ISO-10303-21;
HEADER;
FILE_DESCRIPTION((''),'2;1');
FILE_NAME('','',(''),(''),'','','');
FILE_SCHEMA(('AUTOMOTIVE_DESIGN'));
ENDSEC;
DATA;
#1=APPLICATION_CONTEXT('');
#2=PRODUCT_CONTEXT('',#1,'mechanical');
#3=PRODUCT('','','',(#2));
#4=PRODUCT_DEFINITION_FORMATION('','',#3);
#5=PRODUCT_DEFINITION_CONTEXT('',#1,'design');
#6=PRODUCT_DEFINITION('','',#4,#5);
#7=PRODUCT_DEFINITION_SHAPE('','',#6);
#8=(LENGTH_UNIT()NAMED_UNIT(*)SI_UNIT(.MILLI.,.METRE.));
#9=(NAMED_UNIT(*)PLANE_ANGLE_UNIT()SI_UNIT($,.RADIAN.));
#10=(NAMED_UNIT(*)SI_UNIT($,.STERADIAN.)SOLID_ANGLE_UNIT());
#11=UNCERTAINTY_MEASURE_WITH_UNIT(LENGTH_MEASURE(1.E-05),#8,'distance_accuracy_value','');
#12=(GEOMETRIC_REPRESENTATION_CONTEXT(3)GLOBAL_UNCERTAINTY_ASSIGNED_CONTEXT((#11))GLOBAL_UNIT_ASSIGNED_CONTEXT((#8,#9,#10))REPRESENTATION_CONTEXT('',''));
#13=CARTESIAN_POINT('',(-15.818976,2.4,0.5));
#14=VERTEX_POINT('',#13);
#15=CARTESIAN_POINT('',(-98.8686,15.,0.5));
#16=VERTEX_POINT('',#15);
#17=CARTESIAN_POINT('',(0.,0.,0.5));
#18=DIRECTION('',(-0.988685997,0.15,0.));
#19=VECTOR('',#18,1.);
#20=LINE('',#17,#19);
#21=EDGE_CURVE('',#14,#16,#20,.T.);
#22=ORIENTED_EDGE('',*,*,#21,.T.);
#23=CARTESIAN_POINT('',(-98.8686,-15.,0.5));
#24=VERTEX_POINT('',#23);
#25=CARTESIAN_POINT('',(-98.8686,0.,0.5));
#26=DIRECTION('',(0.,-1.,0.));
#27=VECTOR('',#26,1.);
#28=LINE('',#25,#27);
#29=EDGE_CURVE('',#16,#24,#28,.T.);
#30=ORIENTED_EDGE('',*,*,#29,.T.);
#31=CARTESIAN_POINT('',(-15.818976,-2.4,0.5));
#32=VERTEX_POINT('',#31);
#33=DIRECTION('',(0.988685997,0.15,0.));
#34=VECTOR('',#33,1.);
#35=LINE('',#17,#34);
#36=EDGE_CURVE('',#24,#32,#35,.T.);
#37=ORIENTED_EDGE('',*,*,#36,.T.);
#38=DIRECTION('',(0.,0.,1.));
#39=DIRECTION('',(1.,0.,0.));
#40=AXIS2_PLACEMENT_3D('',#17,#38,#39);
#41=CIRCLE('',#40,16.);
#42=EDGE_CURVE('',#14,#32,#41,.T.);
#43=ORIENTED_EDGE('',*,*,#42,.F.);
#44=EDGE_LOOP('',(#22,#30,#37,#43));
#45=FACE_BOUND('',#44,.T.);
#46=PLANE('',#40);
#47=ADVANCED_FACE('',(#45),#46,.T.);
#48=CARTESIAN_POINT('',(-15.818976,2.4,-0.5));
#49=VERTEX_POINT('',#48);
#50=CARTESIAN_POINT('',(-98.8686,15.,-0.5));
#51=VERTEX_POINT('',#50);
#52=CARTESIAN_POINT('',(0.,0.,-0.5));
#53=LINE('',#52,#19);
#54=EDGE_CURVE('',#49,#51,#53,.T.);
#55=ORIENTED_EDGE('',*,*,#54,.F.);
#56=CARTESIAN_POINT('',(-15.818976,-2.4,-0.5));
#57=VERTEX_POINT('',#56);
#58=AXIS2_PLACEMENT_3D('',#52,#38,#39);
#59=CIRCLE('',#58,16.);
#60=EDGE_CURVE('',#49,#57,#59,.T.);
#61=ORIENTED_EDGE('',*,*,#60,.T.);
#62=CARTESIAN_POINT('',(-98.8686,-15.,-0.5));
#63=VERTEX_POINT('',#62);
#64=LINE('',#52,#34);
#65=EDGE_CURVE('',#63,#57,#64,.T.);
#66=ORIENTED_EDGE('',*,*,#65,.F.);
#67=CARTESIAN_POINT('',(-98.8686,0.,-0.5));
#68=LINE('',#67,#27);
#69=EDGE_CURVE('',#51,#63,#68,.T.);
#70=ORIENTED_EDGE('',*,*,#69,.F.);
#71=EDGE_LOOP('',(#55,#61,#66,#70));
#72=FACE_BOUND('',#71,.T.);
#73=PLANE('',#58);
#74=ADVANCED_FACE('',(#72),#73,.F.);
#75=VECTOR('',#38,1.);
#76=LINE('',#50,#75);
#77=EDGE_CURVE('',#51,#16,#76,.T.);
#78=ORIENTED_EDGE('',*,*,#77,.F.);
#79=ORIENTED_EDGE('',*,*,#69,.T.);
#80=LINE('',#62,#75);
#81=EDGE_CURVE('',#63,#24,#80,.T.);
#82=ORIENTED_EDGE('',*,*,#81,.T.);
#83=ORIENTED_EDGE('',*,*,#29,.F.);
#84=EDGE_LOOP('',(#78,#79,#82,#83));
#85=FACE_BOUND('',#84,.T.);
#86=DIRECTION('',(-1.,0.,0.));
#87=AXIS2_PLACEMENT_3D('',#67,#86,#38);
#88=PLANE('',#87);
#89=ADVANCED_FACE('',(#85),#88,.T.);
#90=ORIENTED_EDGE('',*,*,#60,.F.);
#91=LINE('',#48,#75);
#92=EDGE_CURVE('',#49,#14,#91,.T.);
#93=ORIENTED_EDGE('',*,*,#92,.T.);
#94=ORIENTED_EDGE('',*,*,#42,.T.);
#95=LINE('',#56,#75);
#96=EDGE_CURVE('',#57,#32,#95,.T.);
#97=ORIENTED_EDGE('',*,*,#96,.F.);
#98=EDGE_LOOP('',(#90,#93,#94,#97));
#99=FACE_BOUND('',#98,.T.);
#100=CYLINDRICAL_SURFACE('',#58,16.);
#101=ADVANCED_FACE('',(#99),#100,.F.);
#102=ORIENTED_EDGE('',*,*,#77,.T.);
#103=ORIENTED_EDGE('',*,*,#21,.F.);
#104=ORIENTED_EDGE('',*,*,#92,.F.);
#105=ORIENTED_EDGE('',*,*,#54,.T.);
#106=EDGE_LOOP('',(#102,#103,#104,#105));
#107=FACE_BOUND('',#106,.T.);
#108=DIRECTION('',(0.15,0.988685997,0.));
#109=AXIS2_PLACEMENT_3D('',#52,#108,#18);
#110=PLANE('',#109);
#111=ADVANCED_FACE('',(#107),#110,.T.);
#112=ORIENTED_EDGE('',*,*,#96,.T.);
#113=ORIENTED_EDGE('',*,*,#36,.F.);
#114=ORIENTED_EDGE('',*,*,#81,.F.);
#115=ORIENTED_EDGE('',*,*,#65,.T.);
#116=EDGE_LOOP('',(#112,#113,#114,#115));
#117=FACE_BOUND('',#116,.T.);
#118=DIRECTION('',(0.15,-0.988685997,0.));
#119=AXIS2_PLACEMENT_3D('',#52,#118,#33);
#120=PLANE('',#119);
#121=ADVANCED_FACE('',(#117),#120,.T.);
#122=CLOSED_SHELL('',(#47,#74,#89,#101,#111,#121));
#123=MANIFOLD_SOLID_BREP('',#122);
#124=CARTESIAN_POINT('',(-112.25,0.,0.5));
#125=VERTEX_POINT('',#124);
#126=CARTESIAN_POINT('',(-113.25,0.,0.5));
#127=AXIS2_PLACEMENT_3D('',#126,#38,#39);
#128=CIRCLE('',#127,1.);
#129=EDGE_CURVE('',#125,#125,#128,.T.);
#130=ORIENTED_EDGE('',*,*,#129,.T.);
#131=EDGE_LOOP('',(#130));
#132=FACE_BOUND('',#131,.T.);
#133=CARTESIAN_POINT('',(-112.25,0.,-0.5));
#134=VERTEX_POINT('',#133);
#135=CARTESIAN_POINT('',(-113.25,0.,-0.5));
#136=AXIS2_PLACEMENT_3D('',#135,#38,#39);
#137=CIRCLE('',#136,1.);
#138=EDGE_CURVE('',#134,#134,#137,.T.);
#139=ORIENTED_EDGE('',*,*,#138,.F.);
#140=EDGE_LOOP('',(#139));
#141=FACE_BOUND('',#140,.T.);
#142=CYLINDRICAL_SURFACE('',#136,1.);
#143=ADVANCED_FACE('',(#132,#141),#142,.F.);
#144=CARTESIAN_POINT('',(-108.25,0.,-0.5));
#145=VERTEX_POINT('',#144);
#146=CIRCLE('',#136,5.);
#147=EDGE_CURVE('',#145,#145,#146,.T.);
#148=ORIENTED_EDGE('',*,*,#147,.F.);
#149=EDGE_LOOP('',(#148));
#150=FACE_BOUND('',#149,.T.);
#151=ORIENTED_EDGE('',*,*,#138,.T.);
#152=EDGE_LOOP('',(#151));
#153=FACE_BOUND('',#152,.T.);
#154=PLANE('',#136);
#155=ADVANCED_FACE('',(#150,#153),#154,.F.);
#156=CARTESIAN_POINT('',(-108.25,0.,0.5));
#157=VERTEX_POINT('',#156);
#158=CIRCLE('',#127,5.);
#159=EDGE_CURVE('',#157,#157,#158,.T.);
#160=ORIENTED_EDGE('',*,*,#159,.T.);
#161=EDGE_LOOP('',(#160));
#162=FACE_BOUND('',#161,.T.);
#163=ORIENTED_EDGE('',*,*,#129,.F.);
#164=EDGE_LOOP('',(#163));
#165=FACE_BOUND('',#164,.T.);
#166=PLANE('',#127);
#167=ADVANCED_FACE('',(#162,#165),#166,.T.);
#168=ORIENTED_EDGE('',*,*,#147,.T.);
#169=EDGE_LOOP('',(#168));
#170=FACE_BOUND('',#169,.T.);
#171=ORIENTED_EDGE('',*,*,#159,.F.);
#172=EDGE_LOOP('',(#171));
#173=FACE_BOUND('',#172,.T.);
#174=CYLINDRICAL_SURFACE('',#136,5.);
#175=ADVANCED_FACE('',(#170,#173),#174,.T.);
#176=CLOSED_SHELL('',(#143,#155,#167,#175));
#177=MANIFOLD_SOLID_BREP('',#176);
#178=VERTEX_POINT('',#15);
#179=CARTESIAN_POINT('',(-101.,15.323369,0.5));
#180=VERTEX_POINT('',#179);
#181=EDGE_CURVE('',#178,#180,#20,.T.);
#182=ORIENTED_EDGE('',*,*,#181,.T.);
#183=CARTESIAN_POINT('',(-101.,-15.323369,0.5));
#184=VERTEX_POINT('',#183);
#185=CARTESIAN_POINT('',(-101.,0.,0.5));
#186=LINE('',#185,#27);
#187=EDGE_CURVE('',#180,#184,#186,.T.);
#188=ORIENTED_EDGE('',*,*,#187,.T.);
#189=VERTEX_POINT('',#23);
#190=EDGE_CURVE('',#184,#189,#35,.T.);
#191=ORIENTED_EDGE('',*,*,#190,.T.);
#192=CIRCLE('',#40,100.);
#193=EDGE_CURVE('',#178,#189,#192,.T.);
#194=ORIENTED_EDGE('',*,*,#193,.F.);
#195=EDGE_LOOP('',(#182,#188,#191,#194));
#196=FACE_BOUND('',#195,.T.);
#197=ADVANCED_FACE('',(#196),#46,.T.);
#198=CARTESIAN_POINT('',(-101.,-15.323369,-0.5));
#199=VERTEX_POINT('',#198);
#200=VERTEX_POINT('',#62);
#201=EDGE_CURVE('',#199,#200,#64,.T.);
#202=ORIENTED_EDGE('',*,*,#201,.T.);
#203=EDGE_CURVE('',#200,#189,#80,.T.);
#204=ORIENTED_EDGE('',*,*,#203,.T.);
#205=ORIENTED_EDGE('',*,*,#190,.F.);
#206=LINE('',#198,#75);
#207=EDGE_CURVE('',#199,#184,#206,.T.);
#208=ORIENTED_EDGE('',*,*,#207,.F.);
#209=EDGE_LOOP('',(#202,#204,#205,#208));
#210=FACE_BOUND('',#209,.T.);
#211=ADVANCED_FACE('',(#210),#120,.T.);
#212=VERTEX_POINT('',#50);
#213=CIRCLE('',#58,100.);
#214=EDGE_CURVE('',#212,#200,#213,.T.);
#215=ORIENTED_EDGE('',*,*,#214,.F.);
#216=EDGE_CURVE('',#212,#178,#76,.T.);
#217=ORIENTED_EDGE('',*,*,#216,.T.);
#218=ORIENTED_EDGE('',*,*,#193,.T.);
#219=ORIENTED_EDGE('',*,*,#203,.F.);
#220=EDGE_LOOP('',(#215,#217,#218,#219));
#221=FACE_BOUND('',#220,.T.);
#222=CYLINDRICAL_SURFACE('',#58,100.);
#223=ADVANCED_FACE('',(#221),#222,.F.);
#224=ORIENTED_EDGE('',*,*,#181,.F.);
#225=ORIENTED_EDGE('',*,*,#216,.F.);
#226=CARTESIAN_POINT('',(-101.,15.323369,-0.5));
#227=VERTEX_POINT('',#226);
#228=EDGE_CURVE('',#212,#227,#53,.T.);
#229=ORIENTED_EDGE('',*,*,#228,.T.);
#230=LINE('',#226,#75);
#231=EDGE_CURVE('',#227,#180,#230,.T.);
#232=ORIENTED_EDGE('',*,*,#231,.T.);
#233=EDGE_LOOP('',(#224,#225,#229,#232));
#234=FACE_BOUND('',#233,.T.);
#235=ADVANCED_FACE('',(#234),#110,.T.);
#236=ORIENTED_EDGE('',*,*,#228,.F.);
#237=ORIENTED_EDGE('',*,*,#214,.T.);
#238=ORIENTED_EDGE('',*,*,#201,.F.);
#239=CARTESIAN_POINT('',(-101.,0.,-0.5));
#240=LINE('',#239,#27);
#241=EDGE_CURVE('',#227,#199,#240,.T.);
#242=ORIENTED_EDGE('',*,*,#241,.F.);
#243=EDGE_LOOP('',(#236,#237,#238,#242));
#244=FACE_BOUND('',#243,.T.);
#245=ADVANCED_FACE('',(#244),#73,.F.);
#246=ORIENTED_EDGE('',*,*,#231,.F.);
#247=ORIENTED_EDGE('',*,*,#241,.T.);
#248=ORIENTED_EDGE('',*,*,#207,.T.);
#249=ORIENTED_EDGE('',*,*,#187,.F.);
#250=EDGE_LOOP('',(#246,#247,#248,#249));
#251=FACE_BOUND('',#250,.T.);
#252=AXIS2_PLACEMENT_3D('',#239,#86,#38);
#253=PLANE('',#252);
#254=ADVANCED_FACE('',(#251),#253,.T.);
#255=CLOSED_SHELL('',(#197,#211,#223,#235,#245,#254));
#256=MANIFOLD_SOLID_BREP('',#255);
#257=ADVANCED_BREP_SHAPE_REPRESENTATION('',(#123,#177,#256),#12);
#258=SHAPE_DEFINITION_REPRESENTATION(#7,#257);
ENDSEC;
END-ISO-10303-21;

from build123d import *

# Parameters (mm, degrees)
BOSS_EXTRUDE1_DEPTH        = 0.5
BOSS_EXTRUDE1_DEPTH_BACK   = 0.5
BOSS_EXTRUDE1_2_DEPTH      = 0.5
BOSS_EXTRUDE1_2_DEPTH_BACK = 0.5
BOSS_EXTRUDE2_DEPTH        = 0.5
BOSS_EXTRUDE2_DEPTH_BACK   = 0.5
SKETCH2_R                  = 5
SKETCH2_R_2                = 1


with BuildPart() as part:
    # Sketch1 → Boss-Extrude1 (new, two sides: drawn at the far end of the back side and taken through both)
    with BuildSketch(Plane.XY.offset(-BOSS_EXTRUDE1_DEPTH_BACK)):
        with BuildLine():
            ThreePointArc((-15.818975947, -2.4), (-16, 0), (-15.818975947, 2.4))
            Line((-15.818975947, 2.4), (-98.868599666, 15))
            Line((-98.868599666, 15), (-98.868599666, -15))
            Line((-98.868599666, -15), (-15.818975947, -2.4))
        make_face()
    extrude(amount=BOSS_EXTRUDE1_DEPTH + BOSS_EXTRUDE1_DEPTH_BACK)


with BuildPart() as body_2:
    # Sketch1 → Boss-Extrude1 2 (new, two sides: drawn at the far end of the back side and taken through both)
    with BuildSketch(Plane.XY.offset(-BOSS_EXTRUDE1_2_DEPTH_BACK)):
        with BuildLine():
            ThreePointArc((-98.868599666, -15), (-100, 0), (-98.868599666, 15))
            Line((-98.868599666, 15), (-101, 15.323368644))
            Line((-101, 15.323368644), (-101, -15.323368644))
            Line((-101, -15.323368644), (-98.868599666, -15))
        make_face()
    extrude(amount=BOSS_EXTRUDE1_2_DEPTH + BOSS_EXTRUDE1_2_DEPTH_BACK)


with BuildPart() as body_3:
    # Sketch2 → Boss-Extrude2 (new, two sides: drawn at the far end of the back side and taken through both)
    with BuildSketch(Plane.XY.offset(-BOSS_EXTRUDE2_DEPTH_BACK)):
        with Locations((-113.25, 0)):
            Circle(SKETCH2_R)
        with Locations((-113.25, 0)):
            Circle(SKETCH2_R_2, mode=Mode.SUBTRACT)
    extrude(amount=BOSS_EXTRUDE2_DEPTH + BOSS_EXTRUDE2_DEPTH_BACK)


solid = Compound([part.part, body_2.part, body_3.part])
